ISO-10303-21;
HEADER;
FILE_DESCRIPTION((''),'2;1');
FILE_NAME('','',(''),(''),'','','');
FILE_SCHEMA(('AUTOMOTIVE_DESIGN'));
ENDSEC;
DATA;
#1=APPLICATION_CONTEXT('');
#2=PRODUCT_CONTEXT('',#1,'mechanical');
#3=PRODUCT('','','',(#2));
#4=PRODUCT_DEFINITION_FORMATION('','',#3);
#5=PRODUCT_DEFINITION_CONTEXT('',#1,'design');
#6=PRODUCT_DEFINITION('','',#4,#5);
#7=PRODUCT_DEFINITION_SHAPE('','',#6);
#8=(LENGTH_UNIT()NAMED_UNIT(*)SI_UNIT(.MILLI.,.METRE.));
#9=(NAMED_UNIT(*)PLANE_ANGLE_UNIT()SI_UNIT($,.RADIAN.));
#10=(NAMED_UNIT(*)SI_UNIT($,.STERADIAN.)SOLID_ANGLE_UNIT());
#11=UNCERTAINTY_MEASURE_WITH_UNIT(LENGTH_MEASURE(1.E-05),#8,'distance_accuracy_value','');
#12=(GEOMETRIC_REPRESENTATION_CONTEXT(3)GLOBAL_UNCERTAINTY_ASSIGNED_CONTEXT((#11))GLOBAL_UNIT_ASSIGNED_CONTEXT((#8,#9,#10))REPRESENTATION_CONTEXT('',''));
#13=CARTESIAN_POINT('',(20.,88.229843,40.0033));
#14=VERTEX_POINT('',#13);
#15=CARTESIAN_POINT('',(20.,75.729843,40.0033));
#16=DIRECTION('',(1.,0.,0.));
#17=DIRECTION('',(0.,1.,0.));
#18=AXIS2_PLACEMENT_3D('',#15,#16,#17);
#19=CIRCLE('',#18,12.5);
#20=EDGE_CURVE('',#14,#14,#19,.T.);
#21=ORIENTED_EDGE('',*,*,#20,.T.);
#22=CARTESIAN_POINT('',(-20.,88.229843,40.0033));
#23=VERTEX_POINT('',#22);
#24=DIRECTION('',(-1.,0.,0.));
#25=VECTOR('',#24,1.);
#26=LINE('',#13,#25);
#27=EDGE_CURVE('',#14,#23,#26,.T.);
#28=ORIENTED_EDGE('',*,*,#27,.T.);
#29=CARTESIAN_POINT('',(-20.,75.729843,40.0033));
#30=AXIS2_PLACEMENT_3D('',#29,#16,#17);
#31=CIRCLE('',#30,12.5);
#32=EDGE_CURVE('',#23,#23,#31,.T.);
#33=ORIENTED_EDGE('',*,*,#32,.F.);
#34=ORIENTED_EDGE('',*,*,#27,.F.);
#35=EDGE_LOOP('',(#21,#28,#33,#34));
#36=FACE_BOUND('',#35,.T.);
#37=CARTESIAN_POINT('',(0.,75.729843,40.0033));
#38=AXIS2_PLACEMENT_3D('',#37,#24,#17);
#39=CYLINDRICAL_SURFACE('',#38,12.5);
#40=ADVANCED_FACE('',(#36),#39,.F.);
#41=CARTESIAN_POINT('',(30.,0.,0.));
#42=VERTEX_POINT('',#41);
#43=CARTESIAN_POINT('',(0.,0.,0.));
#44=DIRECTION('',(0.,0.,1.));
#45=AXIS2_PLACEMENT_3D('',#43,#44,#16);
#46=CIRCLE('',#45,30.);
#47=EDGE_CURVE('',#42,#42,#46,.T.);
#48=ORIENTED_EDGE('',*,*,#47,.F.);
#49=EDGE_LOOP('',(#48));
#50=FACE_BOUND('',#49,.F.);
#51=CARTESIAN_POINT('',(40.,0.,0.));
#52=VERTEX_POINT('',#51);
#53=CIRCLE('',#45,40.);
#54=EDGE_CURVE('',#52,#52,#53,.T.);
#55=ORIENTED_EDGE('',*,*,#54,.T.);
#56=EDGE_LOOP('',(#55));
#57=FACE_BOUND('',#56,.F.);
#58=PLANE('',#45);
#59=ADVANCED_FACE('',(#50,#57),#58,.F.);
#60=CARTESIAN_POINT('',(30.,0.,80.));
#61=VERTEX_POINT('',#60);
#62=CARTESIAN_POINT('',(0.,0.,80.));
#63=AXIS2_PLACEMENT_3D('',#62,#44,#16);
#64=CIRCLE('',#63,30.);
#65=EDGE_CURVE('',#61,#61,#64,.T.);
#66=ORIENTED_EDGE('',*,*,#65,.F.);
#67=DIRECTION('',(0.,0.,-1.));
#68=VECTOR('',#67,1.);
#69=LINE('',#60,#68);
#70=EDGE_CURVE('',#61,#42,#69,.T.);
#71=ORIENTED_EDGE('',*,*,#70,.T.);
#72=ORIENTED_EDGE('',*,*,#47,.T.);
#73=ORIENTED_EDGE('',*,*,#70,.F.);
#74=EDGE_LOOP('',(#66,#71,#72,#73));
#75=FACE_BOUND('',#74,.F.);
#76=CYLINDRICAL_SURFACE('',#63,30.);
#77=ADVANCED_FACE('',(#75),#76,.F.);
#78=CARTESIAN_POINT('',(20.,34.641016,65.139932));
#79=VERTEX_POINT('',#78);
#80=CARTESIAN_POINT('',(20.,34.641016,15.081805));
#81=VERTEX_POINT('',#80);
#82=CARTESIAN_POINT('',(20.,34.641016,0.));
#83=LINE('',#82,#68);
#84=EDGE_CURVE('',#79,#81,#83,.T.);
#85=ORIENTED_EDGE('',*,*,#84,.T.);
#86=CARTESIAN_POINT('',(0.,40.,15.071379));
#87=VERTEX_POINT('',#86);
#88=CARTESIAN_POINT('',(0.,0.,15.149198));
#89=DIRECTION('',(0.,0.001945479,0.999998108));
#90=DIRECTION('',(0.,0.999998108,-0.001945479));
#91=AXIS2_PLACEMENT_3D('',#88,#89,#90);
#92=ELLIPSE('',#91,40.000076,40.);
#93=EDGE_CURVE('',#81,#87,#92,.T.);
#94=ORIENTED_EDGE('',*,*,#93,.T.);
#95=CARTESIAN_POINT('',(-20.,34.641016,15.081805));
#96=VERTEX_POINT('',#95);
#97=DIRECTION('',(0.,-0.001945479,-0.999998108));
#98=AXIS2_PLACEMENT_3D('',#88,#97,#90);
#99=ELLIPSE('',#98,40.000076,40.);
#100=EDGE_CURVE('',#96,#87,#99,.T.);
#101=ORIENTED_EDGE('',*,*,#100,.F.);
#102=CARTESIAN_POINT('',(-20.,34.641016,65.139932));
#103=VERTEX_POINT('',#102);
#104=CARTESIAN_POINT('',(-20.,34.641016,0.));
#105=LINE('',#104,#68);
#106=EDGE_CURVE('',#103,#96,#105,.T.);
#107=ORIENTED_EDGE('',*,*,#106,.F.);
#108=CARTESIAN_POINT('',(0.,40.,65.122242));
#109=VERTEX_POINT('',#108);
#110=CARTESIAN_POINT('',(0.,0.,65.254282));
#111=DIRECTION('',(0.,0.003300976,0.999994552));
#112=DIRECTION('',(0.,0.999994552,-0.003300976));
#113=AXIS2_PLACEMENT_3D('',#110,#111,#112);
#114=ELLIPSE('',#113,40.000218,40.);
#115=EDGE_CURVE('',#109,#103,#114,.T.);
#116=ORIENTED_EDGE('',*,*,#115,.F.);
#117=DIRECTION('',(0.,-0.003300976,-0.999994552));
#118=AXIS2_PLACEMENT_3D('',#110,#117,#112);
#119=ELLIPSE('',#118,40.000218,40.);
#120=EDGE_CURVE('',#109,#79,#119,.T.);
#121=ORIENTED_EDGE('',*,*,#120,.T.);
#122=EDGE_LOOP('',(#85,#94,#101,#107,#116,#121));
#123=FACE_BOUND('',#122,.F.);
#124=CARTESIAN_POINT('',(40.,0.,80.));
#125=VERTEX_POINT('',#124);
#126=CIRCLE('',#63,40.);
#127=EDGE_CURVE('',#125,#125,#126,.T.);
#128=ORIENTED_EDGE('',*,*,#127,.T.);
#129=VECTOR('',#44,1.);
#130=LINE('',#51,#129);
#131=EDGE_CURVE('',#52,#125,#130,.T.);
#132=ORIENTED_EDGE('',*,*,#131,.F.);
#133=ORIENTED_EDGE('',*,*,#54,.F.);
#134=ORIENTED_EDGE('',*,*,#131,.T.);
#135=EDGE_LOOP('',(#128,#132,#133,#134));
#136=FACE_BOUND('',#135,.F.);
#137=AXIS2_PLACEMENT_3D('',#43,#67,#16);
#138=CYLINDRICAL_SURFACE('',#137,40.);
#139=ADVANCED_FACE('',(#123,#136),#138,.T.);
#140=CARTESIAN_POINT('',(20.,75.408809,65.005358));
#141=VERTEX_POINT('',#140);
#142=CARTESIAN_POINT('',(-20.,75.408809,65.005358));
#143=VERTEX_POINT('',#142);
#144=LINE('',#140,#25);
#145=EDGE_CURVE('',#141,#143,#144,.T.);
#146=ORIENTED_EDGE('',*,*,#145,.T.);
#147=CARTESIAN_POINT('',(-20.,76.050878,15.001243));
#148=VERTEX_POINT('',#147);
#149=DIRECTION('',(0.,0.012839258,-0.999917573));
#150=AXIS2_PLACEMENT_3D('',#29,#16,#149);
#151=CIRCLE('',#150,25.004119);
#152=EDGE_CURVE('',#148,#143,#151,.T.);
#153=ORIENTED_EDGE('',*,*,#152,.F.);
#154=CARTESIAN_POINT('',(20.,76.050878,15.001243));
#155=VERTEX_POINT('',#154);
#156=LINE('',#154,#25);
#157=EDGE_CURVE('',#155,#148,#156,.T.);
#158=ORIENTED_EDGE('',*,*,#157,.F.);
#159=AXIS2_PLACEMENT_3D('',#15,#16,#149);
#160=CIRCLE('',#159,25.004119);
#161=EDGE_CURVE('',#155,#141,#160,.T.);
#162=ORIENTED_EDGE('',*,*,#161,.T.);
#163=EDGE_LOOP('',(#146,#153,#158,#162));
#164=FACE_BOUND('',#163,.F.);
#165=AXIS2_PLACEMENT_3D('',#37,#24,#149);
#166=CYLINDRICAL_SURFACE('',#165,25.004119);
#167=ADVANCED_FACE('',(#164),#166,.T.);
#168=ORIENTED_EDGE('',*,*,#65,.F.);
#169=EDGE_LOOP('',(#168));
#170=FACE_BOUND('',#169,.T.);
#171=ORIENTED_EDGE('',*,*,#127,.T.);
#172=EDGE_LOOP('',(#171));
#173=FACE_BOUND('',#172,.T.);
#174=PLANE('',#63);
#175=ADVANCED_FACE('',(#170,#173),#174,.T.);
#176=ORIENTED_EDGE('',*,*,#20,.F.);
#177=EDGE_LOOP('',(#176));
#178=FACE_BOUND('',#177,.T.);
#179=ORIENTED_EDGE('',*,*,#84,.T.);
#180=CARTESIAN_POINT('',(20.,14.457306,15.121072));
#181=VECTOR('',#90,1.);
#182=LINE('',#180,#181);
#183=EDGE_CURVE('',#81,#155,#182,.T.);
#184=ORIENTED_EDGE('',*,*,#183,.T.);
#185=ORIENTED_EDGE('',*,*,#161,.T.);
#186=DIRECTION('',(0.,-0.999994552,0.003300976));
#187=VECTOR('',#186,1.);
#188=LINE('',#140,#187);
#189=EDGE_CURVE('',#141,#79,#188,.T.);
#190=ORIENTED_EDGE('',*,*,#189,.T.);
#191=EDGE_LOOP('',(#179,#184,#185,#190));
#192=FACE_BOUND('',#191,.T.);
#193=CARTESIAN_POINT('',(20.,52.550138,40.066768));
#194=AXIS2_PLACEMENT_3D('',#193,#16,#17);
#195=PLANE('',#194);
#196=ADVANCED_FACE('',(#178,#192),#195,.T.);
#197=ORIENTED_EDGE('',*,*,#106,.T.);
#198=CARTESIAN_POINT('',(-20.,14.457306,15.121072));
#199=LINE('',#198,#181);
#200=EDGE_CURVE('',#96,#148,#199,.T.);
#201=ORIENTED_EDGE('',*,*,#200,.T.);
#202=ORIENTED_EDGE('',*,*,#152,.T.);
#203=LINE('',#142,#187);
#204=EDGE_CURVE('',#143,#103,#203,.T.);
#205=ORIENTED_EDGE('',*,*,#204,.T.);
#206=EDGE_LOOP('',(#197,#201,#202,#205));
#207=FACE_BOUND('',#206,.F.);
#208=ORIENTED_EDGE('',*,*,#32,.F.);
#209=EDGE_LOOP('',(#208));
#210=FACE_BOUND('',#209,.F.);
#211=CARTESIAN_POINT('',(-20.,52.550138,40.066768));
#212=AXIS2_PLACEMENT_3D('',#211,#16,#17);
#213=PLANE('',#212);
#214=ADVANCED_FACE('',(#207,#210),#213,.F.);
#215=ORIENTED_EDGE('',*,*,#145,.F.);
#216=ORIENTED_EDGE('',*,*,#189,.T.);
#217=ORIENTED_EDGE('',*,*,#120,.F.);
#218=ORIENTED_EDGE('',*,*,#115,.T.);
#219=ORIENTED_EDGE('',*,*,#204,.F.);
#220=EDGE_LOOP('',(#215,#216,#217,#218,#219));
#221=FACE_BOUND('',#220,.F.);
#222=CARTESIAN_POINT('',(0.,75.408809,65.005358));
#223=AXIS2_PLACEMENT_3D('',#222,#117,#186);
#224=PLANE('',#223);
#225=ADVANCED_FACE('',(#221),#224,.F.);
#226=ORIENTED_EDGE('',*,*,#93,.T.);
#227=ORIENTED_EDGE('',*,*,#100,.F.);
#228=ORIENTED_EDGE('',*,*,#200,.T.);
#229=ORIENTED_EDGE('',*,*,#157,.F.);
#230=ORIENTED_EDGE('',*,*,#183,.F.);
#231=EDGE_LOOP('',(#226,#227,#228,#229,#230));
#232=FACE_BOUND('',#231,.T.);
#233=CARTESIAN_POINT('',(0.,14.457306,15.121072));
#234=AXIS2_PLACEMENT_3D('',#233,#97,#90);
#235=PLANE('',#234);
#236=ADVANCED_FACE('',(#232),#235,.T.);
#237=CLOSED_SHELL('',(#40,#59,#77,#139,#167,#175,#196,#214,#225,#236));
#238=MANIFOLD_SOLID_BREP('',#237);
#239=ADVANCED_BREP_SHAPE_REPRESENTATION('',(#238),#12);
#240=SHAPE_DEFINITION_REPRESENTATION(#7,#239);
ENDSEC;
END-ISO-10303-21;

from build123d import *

# Parameters (mm, degrees)
F0_R          = 40
F1_DEPTH      = 80
F2_R          = 12.5
F3_DEPTH      = 20
F3_DEPTH_BACK = 20
F4_R          = 30
F5_DEPTH      = 146


with BuildPart() as f1:
    # F0 (on Top) → F1 (new body)
    with BuildSketch(Plane.XY):
        Circle(F0_R)
    extrude(amount=F1_DEPTH)

    # F2 (on Right) → F3 (join, two sides)
    with BuildSketch(Plane.YZ) as f3_sk:
        with BuildLine():
            Line((14.4573056011, 65.2065587372), (14.4573056011, 15.1210717529))
            Line((14.4573056011, 15.1210717529), (76.0508775141, 15.0012425378))
            ThreePointArc((76.0508775141, 15.0012425378), (100.7319009994, 40.3243347071), (75.40880883, 65.0053581924))
            Line((75.40880883, 65.0053581924), (14.4573056011, 65.2065587372))
        make_face()
        with Locations((75.7298431721, 40.0033003651)):
            Circle(F2_R, mode=Mode.SUBTRACT)
    extrude(amount=-F3_DEPTH)
    extrude(f3_sk.sketch, amount=F3_DEPTH_BACK)

    # F4 (on face) → F5 (cut)
    with BuildSketch(Plane.XY.offset(80)):
        Circle(F4_R)
    extrude(amount=-F5_DEPTH, mode=Mode.SUBTRACT)


solid = f1.part
